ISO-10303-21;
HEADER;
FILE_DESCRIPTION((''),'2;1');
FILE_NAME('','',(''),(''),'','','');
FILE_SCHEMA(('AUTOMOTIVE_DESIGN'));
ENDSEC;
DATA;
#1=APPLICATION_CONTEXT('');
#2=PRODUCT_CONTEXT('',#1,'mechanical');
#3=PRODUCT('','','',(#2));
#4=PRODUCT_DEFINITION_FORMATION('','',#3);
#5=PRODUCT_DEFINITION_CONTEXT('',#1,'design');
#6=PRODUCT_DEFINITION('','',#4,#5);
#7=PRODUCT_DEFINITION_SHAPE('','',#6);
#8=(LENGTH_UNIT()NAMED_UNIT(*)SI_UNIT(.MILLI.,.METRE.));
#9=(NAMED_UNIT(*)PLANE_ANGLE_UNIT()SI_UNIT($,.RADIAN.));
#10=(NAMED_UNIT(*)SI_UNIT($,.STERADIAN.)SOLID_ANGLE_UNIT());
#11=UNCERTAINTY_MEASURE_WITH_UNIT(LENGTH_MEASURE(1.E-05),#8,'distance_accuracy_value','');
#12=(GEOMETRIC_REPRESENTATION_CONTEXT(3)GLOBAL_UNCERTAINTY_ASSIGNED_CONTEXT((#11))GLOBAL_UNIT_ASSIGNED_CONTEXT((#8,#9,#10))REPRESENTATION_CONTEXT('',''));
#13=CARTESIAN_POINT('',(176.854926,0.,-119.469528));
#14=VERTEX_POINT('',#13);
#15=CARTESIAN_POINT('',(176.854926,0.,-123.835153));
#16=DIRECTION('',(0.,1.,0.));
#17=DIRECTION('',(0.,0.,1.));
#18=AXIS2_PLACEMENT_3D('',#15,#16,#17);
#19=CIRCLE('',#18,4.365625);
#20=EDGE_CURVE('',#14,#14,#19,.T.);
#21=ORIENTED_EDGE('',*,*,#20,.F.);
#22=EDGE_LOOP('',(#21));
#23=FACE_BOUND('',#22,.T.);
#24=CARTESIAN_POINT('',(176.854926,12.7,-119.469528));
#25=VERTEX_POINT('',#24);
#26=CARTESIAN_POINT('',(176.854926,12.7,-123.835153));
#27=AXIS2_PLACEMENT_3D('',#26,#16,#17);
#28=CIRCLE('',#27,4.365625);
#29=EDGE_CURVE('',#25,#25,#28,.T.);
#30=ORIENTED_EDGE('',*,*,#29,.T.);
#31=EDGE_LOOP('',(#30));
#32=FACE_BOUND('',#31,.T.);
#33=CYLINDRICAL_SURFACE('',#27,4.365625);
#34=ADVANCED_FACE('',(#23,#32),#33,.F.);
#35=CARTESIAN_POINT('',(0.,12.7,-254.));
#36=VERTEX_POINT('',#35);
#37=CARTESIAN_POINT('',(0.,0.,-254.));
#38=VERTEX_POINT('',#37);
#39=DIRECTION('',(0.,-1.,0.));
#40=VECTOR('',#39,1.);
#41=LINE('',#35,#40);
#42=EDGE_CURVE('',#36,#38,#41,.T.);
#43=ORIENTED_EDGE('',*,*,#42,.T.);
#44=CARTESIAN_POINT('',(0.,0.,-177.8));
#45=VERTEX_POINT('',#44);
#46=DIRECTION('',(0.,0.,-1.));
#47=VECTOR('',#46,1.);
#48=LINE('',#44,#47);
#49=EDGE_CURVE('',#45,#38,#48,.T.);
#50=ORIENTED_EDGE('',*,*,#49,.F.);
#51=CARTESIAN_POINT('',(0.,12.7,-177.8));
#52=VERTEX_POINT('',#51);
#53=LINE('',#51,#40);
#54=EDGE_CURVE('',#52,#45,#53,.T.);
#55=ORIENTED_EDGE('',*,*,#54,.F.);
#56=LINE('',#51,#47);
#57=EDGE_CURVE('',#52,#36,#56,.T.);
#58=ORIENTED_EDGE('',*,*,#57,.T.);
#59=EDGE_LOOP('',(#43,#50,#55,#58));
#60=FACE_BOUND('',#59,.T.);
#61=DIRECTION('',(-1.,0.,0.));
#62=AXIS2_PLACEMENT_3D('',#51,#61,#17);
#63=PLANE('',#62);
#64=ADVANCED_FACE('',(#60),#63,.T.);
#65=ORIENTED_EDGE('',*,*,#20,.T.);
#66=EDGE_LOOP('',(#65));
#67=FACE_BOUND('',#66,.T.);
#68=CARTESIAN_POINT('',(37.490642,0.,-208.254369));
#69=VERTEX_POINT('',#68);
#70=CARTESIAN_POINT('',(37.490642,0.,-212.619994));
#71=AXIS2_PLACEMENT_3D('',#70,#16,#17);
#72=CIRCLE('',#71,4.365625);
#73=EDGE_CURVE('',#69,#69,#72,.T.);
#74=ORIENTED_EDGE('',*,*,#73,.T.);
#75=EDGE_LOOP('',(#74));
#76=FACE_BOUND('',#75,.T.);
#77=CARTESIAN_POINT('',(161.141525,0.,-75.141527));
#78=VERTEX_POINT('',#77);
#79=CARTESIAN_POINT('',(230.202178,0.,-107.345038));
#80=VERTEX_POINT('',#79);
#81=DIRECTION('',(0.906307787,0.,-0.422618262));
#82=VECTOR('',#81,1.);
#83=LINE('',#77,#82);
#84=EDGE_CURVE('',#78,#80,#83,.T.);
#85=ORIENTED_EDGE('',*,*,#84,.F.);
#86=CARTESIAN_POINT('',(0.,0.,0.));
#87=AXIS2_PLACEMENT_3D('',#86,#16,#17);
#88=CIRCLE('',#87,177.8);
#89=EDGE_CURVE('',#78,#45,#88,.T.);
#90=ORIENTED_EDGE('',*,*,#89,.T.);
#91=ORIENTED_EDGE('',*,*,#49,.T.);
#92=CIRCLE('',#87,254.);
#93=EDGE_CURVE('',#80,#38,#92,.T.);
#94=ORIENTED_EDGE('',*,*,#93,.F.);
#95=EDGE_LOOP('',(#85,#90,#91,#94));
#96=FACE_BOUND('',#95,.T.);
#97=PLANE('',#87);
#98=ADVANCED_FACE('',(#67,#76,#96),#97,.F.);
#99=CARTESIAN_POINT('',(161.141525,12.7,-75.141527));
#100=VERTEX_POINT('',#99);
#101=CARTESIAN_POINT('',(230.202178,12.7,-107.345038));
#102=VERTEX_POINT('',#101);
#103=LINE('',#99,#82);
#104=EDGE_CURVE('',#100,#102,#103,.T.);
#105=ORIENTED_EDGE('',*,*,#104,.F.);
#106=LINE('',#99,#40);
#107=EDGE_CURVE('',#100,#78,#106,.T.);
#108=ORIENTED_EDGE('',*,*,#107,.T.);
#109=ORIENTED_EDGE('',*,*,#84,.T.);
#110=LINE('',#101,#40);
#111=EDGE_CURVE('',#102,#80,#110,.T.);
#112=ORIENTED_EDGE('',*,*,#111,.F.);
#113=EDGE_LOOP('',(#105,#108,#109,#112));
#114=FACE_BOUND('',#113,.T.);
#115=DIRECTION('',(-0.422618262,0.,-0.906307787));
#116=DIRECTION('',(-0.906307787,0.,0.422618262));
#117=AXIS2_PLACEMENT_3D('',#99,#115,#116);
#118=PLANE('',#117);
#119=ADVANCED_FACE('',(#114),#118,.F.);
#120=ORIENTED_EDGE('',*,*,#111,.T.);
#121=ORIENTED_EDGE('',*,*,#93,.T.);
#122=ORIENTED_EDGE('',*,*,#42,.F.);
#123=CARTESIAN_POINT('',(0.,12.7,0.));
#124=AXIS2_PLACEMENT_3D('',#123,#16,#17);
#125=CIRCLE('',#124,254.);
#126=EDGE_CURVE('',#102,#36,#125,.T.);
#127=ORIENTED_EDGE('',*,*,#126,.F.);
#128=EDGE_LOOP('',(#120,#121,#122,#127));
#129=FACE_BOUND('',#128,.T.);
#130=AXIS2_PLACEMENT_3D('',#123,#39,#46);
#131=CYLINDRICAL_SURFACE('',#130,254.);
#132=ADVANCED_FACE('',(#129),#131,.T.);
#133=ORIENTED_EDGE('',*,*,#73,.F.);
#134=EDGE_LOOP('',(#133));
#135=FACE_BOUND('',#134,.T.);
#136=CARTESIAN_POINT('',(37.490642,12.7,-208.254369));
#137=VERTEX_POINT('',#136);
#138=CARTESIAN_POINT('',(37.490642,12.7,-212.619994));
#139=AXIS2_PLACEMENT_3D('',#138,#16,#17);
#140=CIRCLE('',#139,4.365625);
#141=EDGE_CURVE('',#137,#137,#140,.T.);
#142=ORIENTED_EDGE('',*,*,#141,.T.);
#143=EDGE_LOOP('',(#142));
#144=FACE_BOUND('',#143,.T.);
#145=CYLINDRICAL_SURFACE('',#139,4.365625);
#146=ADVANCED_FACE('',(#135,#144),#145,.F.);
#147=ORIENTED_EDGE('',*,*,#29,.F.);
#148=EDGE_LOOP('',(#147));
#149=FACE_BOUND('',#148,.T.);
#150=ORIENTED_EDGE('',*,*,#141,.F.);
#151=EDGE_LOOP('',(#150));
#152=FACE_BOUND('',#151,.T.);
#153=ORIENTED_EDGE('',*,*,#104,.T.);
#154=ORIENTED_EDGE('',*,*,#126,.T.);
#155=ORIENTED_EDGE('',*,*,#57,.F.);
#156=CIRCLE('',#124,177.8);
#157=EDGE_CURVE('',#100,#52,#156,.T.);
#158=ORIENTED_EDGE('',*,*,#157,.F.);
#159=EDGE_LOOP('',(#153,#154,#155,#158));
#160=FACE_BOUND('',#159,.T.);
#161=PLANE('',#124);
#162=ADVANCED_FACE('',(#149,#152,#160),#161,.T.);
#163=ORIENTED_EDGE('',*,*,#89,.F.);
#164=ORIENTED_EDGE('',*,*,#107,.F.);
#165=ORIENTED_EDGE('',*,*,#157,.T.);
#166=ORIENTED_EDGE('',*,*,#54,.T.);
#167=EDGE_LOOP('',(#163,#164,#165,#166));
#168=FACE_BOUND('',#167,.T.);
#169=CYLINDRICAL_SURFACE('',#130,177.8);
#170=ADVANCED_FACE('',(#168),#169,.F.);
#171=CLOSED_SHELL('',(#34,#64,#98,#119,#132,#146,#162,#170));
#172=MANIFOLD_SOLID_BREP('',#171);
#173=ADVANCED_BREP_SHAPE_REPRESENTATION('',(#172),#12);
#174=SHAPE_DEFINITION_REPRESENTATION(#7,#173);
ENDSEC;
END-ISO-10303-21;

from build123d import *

# Parameters (mm, degrees)
BOSS_EXTRUDE1_DEPTH              = 12.7
F_11_32_0_34375_DIAMETER_HOLE1_D = 8.73125


with BuildPart() as part:
    # Sketch1 → Boss-Extrude1 (new body)
    with BuildSketch(Plane(origin=(0, 0, 0), x_dir=(1, 0, 0), z_dir=(0, 1, 0))):
        with BuildLine():
            Line((0, 177.8), (0, 254))
            ThreePointArc((0, 254), (136.47410052, 214.221427236), (230.202177907, 107.345038482))
            Line((230.202177907, 107.345038482), (161.141524535, 75.141526937))
            ThreePointArc((161.141524535, 75.141526937), (95.531870364, 149.954999066), (0, 177.8))
        make_face()
    extrude(amount=BOSS_EXTRUDE1_DEPTH)

    # 11/32 (0.34375) Diameter Hole1 (through all)
    with Locations(Plane(origin=(0, 12.7, 0), x_dir=(1, 0, 0), z_dir=(0, 1, 0))):
        with Locations((37.490641558, 212.619993875), (176.854926362, 123.835152608)):
            Hole(F_11_32_0_34375_DIAMETER_HOLE1_D / 2)


solid = part.part
